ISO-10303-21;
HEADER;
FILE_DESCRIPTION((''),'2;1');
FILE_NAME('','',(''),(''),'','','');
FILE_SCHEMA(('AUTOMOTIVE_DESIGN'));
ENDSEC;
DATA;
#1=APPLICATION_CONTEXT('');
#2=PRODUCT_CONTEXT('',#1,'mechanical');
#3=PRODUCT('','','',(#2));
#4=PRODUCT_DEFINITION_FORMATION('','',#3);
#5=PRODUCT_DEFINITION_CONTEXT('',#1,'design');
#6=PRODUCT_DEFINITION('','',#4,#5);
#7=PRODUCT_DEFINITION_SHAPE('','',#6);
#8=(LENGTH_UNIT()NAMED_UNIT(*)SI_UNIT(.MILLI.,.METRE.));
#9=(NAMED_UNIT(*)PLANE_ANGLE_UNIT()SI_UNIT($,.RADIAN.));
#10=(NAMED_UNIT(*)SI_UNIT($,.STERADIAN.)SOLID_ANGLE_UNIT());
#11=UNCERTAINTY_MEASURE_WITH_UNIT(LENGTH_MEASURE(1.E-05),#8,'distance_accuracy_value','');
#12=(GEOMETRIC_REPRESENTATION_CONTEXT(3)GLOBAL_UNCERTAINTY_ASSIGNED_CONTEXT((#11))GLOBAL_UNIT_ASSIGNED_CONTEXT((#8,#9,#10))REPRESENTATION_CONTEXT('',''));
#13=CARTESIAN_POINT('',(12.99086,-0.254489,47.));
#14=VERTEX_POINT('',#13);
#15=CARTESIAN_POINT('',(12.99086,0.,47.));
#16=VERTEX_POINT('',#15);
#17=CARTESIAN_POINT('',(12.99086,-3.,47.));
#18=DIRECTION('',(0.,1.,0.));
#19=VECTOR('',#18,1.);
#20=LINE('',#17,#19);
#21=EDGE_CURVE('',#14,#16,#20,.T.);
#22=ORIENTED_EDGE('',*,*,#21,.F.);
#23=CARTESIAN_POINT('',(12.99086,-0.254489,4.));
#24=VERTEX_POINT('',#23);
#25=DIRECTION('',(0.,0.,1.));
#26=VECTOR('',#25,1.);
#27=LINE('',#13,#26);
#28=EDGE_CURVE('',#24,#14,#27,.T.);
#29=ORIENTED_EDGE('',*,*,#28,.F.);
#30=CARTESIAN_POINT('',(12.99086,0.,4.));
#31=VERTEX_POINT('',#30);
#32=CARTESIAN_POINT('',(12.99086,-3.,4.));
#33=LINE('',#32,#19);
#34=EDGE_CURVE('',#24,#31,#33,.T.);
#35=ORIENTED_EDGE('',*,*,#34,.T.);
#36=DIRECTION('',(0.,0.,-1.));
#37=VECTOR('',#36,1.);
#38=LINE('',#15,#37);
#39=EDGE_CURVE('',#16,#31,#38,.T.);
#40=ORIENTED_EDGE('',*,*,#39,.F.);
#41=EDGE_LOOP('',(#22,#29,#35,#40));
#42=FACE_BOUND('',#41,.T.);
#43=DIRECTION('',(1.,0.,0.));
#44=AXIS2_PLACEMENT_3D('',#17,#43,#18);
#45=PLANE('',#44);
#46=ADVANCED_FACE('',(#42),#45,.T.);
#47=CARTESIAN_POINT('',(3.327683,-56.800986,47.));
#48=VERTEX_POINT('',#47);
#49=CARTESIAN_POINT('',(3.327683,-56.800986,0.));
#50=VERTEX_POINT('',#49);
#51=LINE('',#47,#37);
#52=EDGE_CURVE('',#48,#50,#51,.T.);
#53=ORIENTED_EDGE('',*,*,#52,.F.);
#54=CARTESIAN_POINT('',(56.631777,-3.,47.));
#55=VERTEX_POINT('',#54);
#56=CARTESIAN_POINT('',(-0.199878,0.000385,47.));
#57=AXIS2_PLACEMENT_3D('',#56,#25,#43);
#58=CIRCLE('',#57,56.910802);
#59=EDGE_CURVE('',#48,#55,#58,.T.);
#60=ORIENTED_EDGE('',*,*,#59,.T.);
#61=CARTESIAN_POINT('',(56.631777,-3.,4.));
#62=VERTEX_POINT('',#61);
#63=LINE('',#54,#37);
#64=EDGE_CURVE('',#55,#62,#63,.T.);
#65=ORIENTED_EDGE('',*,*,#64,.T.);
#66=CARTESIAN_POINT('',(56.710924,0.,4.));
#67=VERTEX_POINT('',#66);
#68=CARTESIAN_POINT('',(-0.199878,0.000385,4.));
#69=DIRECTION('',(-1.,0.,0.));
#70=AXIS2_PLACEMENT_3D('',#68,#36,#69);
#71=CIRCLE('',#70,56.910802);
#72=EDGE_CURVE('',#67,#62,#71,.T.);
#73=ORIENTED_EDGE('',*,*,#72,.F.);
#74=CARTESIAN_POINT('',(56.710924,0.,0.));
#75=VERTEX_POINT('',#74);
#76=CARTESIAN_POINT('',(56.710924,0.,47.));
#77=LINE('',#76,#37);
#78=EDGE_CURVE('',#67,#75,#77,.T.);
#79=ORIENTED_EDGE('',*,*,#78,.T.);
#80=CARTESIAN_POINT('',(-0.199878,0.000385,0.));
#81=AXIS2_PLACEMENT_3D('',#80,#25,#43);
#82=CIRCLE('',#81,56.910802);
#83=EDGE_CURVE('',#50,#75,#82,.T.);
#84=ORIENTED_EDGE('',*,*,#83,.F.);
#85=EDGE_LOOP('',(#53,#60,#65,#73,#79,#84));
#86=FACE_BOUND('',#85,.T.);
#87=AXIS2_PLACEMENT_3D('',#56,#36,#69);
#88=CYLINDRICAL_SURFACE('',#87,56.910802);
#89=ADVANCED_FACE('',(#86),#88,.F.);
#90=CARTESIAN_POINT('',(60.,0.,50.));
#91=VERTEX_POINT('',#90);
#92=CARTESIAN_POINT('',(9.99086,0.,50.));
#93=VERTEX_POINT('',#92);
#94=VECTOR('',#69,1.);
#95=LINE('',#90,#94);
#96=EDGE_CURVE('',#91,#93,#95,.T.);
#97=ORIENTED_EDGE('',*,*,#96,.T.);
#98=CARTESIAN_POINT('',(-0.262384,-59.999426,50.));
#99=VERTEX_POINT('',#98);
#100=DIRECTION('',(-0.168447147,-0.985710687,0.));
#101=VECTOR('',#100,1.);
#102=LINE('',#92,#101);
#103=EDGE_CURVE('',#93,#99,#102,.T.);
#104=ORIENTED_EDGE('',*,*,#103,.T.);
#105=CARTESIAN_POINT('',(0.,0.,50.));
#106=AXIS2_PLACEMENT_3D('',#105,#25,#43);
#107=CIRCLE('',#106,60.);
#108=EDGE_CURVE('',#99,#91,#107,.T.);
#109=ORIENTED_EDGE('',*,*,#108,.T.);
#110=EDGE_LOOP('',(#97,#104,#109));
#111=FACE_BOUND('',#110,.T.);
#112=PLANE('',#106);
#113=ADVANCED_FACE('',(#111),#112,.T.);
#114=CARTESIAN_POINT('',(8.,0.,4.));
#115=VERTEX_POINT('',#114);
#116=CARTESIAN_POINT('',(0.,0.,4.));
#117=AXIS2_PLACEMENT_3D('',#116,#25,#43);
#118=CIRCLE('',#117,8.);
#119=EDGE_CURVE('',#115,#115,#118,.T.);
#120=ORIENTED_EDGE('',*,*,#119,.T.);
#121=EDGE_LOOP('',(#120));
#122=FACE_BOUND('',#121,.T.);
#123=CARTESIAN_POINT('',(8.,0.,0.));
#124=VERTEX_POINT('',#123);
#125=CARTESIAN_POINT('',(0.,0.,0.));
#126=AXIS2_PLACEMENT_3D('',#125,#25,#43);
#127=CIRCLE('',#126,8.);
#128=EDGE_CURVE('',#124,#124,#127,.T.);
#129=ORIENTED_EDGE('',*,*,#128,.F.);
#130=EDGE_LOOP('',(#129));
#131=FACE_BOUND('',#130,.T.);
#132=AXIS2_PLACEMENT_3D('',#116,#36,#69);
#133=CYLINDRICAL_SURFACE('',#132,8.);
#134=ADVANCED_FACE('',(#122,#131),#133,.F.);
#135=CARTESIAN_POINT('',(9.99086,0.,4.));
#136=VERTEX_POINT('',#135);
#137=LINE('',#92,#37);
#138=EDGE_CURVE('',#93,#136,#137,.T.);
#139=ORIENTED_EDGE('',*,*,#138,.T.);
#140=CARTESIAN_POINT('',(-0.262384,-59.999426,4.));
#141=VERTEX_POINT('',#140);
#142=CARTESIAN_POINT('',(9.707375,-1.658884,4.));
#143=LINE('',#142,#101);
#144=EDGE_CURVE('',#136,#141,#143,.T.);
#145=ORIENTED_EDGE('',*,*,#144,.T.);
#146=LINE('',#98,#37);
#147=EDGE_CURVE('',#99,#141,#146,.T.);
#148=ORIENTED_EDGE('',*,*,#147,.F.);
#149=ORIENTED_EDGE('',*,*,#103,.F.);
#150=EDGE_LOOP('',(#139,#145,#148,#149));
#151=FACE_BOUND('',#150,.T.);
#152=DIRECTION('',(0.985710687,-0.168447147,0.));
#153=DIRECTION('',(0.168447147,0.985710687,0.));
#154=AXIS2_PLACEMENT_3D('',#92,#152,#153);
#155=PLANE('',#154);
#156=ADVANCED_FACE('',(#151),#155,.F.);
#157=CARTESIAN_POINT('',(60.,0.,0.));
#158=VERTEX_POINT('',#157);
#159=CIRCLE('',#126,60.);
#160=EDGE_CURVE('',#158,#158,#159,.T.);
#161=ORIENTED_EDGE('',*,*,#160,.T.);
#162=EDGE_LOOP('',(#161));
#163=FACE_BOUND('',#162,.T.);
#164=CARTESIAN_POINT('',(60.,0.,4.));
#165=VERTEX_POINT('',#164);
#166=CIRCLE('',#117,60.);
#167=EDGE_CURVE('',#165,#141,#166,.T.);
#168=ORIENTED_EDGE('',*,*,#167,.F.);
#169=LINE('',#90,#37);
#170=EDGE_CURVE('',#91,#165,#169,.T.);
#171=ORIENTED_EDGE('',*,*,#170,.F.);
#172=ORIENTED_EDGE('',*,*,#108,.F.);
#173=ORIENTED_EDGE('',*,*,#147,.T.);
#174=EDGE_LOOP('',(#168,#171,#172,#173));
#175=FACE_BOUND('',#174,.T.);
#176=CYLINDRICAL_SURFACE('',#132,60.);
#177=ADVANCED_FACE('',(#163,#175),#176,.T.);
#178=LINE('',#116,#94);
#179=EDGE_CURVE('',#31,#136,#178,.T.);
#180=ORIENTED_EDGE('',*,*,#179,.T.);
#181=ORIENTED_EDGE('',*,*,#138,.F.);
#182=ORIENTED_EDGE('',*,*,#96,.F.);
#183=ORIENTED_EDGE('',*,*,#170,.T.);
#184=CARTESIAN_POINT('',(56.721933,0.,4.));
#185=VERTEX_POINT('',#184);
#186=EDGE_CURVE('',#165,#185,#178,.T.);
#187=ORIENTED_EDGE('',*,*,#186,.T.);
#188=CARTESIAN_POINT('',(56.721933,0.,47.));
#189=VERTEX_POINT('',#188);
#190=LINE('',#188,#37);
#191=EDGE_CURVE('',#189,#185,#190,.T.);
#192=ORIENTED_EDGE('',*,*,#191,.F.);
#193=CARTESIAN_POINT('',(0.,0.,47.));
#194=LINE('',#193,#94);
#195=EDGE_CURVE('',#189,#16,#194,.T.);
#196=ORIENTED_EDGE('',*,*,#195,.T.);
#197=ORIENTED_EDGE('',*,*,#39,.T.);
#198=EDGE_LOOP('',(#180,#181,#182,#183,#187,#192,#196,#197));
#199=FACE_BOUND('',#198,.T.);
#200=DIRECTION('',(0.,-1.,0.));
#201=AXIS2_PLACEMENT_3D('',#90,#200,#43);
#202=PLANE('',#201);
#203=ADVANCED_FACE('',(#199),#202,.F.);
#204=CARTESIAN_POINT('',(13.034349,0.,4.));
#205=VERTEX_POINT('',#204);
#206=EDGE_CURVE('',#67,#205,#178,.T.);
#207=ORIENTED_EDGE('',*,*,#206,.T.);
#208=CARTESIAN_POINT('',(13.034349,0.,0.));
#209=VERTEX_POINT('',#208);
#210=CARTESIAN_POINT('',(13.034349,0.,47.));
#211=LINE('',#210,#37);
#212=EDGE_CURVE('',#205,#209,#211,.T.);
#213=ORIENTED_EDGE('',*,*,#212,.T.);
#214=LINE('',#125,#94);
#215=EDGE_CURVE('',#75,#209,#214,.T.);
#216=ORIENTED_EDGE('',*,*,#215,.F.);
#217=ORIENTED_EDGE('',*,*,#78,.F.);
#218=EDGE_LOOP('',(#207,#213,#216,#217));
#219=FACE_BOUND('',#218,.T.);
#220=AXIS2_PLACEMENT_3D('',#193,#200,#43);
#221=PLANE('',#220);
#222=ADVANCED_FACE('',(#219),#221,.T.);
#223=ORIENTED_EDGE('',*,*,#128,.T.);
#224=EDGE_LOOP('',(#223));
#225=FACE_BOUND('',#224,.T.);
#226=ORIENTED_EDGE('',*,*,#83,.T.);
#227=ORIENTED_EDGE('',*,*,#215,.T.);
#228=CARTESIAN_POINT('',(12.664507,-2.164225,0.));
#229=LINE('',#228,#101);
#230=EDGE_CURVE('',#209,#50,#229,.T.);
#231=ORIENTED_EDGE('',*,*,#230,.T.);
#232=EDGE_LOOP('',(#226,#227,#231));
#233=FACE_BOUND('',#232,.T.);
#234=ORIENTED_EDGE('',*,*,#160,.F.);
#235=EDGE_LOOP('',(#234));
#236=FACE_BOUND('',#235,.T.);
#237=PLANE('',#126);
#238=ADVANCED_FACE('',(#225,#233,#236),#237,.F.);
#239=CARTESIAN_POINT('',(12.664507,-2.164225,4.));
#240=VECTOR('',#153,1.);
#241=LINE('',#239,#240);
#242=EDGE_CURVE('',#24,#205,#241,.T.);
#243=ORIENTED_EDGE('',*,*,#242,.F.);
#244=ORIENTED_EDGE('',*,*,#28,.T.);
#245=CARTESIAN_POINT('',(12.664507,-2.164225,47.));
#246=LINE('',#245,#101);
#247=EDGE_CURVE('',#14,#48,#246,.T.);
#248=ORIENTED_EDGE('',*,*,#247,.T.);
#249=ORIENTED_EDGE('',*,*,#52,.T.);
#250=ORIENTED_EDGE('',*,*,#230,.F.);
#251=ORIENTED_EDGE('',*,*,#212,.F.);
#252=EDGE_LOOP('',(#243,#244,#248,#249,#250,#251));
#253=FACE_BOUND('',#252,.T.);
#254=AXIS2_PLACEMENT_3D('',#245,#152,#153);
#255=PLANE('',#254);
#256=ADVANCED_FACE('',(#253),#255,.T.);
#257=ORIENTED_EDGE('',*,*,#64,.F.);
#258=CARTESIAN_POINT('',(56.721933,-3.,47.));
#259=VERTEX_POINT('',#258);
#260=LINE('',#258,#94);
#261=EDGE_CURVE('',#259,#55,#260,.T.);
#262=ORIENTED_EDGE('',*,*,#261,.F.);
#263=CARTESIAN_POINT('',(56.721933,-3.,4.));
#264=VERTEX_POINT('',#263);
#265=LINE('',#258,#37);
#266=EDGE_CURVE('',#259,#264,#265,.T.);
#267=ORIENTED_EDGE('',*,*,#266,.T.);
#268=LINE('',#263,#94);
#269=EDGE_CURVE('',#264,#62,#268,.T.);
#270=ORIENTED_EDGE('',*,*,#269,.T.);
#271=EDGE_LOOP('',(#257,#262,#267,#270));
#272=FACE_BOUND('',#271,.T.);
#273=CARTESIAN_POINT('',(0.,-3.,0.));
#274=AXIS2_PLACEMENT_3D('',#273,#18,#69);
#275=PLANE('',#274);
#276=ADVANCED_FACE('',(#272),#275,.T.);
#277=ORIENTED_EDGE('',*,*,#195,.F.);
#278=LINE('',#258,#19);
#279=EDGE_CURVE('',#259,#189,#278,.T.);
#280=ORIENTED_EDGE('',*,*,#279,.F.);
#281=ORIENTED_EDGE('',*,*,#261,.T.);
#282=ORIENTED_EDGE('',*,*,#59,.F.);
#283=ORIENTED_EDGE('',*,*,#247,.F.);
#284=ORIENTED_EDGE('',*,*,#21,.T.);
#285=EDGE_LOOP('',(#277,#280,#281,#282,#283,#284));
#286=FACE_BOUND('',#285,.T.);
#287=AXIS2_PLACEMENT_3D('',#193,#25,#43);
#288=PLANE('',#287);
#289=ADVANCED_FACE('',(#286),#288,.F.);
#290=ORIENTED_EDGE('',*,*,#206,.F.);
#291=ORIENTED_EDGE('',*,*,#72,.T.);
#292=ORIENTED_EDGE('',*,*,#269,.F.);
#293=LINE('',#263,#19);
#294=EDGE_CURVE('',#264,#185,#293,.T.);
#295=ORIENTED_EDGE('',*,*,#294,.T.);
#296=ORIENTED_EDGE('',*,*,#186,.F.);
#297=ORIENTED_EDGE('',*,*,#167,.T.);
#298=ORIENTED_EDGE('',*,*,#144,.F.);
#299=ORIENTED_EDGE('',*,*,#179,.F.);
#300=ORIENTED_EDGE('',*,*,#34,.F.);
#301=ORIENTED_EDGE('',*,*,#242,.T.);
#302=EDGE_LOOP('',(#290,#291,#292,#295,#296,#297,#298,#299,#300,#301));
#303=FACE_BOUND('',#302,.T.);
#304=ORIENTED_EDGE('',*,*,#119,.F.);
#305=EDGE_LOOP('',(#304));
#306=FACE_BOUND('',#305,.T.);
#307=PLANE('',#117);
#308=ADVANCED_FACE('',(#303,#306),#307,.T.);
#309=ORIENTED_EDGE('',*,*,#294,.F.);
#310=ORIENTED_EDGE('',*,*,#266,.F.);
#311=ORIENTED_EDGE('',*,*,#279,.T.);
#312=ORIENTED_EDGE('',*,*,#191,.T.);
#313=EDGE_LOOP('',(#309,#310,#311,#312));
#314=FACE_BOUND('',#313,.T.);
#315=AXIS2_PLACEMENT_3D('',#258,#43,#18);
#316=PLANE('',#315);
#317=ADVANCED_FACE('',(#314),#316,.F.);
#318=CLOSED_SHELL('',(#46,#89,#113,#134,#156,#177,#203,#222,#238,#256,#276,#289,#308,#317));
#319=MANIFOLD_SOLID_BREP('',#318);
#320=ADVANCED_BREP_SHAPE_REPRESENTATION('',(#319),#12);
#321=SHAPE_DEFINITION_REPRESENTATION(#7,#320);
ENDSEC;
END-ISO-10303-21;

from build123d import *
from build123d.topology import SkipClean

# Parameters (mm, degrees)
SKETCH1_R           = 60
SKETCH1_R_2         = 8
BOSS_EXTRUDE1_DEPTH = 4
BOSS_EXTRUDE2_DEPTH = 50
CUT_EXTRUDE1_DEPTH  = 47
SKETCH3_W           = 43.731073279
SKETCH3_H           = 43
CUT_EXTRUDE3_DEPTH  = 3


with BuildPart() as part:
    # Sketch1 → Boss-Extrude1 (new body)
    with BuildSketch(Plane.XY):
        Circle(SKETCH1_R)
        with BuildLine():
            Line((0.265819003, -56.90851166), (9.990859575, 0))
            Line((9.990859575, 0), (56.710923629, 0))
            ThreePointArc((56.710923629, 0), (40.206313594, -40.076778693), (0.265819003, -56.90851166))
        make_face(mode=Mode.SUBTRACT)
        Circle(SKETCH1_R_2, mode=Mode.SUBTRACT)
    extrude(amount=BOSS_EXTRUDE1_DEPTH)

    # Sketch1<3> → Boss-Extrude2 (add)
    with SkipClean():  # the faces are left unmerged after this step: merging them gives an invalid solid
        with BuildSketch(Plane.XY):
            with BuildLine():
                Line((60, 0), (9.990859575, 0))
                Line((9.990859575, 0), (-0.26238441, -59.999426284))
                ThreePointArc((-0.26238441, -59.999426284), (42.333538332, -42.519072571), (60, 0))
            make_face()
        extrude(amount=BOSS_EXTRUDE2_DEPTH)

    # Sketch1<6> → Cut-Extrude1 (cut)
    with SkipClean():  # the faces are left unmerged after this step: merging them gives an invalid solid
        with BuildSketch(Plane.XY):
            with BuildLine():
                ThreePointArc((3.3276834, -56.800985601), (41.2704357, -38.974638406), (56.710923629, 0))
                Line((56.710923629, 0), (13.034348947, 0))
                Line((13.034348947, 0), (12.521681846, -3))
                Line((12.521681846, -3), (3.3276834, -56.800985601))
            make_face()
        extrude(amount=CUT_EXTRUDE1_DEPTH, mode=Mode.SUBTRACT)

    # Sketch3 → Cut-Extrude3 (cut)
    with SkipClean():  # the faces are left unmerged after this step: merging them gives an invalid solid
        with BuildSketch(Plane(origin=(0, 0, 0), x_dir=(1, 0, 0), z_dir=(0, 1, 0))):
            with Locations((34.856396215, -25.5)):
                Rectangle(SKETCH3_W, SKETCH3_H)
        extrude(amount=-CUT_EXTRUDE3_DEPTH, mode=Mode.SUBTRACT)


solid = part.part
